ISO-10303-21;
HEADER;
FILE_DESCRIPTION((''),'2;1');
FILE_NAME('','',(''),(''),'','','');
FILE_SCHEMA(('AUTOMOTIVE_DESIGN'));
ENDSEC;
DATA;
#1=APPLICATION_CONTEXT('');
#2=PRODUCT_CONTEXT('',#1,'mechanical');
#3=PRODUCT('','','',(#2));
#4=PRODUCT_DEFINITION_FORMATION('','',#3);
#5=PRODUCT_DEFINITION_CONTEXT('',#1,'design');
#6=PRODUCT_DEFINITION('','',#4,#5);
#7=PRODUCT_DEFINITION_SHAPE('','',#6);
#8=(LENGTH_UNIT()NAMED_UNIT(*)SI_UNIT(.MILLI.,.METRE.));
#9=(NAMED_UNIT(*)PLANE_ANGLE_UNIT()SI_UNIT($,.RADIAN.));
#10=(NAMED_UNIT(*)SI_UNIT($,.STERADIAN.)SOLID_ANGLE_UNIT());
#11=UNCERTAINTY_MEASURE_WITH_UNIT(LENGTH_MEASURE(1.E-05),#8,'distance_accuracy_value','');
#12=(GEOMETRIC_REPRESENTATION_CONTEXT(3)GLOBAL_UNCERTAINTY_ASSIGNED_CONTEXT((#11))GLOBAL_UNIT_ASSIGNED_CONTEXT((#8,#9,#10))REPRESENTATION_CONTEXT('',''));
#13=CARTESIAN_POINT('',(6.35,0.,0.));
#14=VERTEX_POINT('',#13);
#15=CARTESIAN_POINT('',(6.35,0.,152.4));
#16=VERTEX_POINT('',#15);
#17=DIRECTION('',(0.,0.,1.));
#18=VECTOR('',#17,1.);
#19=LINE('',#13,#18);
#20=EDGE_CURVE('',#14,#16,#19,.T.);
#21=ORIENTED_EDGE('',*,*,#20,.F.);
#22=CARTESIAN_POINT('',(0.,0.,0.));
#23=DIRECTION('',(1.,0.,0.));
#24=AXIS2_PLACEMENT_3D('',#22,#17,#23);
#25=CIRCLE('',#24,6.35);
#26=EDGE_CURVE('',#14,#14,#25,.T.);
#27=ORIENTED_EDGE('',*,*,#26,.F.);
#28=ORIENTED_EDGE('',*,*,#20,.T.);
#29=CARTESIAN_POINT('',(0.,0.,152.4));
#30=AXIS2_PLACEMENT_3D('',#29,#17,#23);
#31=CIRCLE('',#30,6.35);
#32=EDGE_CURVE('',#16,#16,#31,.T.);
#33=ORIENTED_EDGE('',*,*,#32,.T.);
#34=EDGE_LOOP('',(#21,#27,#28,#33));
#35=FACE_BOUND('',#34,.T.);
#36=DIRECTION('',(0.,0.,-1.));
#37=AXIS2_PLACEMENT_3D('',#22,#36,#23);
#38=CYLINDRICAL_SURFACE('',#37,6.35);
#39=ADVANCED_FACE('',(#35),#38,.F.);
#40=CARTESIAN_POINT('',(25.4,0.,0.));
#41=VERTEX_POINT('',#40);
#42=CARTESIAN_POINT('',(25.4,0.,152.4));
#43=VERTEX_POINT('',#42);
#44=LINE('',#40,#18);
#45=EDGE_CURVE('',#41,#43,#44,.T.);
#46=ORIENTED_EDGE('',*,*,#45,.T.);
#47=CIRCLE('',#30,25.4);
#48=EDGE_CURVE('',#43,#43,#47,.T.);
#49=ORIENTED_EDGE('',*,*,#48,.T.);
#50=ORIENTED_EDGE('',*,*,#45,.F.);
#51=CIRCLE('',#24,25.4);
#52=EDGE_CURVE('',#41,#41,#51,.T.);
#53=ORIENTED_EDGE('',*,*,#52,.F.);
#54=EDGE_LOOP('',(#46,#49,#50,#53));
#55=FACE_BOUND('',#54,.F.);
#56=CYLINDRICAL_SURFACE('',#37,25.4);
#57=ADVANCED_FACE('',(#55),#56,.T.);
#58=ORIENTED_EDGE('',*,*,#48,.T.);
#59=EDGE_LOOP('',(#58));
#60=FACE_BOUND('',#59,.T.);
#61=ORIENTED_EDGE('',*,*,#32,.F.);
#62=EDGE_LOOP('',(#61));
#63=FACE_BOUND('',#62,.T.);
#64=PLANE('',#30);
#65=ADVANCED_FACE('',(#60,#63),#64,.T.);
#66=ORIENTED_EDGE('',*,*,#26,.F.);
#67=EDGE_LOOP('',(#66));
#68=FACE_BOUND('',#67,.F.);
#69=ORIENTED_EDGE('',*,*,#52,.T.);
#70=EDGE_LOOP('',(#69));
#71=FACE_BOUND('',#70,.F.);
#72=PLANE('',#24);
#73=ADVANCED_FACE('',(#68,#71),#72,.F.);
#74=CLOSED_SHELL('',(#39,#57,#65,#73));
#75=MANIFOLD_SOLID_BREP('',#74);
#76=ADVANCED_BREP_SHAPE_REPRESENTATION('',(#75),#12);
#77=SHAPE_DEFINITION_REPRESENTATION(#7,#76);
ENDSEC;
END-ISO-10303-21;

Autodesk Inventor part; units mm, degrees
ref_plane "YZ Plane" through (0, 0, 0) normal (1, 0, 0) x (0, 1, 0)
ref_plane "XZ Plane" through (0, 0, 0) normal (0, 1, 0) x (-1, 0, 0)
ref_plane "XY Plane" through (0, 0, 0) normal (0, 0, 1) x (1, 0, 0)
sketch "Sketch1" plane through (0, 0, 0) normal (0, 0, 1) x (1, 0, 0)
  circle A0 centre (0, 0) radius 6.35
  circle A1 centre (0, 0) radius 25.4
  dimension "d0" = 12.7
  dimension "d1" = 50.8
extrude "Extrusion1" add sketch "Sketch1" along normal blind 152.4
properties part number "manipulator propeling roller"
